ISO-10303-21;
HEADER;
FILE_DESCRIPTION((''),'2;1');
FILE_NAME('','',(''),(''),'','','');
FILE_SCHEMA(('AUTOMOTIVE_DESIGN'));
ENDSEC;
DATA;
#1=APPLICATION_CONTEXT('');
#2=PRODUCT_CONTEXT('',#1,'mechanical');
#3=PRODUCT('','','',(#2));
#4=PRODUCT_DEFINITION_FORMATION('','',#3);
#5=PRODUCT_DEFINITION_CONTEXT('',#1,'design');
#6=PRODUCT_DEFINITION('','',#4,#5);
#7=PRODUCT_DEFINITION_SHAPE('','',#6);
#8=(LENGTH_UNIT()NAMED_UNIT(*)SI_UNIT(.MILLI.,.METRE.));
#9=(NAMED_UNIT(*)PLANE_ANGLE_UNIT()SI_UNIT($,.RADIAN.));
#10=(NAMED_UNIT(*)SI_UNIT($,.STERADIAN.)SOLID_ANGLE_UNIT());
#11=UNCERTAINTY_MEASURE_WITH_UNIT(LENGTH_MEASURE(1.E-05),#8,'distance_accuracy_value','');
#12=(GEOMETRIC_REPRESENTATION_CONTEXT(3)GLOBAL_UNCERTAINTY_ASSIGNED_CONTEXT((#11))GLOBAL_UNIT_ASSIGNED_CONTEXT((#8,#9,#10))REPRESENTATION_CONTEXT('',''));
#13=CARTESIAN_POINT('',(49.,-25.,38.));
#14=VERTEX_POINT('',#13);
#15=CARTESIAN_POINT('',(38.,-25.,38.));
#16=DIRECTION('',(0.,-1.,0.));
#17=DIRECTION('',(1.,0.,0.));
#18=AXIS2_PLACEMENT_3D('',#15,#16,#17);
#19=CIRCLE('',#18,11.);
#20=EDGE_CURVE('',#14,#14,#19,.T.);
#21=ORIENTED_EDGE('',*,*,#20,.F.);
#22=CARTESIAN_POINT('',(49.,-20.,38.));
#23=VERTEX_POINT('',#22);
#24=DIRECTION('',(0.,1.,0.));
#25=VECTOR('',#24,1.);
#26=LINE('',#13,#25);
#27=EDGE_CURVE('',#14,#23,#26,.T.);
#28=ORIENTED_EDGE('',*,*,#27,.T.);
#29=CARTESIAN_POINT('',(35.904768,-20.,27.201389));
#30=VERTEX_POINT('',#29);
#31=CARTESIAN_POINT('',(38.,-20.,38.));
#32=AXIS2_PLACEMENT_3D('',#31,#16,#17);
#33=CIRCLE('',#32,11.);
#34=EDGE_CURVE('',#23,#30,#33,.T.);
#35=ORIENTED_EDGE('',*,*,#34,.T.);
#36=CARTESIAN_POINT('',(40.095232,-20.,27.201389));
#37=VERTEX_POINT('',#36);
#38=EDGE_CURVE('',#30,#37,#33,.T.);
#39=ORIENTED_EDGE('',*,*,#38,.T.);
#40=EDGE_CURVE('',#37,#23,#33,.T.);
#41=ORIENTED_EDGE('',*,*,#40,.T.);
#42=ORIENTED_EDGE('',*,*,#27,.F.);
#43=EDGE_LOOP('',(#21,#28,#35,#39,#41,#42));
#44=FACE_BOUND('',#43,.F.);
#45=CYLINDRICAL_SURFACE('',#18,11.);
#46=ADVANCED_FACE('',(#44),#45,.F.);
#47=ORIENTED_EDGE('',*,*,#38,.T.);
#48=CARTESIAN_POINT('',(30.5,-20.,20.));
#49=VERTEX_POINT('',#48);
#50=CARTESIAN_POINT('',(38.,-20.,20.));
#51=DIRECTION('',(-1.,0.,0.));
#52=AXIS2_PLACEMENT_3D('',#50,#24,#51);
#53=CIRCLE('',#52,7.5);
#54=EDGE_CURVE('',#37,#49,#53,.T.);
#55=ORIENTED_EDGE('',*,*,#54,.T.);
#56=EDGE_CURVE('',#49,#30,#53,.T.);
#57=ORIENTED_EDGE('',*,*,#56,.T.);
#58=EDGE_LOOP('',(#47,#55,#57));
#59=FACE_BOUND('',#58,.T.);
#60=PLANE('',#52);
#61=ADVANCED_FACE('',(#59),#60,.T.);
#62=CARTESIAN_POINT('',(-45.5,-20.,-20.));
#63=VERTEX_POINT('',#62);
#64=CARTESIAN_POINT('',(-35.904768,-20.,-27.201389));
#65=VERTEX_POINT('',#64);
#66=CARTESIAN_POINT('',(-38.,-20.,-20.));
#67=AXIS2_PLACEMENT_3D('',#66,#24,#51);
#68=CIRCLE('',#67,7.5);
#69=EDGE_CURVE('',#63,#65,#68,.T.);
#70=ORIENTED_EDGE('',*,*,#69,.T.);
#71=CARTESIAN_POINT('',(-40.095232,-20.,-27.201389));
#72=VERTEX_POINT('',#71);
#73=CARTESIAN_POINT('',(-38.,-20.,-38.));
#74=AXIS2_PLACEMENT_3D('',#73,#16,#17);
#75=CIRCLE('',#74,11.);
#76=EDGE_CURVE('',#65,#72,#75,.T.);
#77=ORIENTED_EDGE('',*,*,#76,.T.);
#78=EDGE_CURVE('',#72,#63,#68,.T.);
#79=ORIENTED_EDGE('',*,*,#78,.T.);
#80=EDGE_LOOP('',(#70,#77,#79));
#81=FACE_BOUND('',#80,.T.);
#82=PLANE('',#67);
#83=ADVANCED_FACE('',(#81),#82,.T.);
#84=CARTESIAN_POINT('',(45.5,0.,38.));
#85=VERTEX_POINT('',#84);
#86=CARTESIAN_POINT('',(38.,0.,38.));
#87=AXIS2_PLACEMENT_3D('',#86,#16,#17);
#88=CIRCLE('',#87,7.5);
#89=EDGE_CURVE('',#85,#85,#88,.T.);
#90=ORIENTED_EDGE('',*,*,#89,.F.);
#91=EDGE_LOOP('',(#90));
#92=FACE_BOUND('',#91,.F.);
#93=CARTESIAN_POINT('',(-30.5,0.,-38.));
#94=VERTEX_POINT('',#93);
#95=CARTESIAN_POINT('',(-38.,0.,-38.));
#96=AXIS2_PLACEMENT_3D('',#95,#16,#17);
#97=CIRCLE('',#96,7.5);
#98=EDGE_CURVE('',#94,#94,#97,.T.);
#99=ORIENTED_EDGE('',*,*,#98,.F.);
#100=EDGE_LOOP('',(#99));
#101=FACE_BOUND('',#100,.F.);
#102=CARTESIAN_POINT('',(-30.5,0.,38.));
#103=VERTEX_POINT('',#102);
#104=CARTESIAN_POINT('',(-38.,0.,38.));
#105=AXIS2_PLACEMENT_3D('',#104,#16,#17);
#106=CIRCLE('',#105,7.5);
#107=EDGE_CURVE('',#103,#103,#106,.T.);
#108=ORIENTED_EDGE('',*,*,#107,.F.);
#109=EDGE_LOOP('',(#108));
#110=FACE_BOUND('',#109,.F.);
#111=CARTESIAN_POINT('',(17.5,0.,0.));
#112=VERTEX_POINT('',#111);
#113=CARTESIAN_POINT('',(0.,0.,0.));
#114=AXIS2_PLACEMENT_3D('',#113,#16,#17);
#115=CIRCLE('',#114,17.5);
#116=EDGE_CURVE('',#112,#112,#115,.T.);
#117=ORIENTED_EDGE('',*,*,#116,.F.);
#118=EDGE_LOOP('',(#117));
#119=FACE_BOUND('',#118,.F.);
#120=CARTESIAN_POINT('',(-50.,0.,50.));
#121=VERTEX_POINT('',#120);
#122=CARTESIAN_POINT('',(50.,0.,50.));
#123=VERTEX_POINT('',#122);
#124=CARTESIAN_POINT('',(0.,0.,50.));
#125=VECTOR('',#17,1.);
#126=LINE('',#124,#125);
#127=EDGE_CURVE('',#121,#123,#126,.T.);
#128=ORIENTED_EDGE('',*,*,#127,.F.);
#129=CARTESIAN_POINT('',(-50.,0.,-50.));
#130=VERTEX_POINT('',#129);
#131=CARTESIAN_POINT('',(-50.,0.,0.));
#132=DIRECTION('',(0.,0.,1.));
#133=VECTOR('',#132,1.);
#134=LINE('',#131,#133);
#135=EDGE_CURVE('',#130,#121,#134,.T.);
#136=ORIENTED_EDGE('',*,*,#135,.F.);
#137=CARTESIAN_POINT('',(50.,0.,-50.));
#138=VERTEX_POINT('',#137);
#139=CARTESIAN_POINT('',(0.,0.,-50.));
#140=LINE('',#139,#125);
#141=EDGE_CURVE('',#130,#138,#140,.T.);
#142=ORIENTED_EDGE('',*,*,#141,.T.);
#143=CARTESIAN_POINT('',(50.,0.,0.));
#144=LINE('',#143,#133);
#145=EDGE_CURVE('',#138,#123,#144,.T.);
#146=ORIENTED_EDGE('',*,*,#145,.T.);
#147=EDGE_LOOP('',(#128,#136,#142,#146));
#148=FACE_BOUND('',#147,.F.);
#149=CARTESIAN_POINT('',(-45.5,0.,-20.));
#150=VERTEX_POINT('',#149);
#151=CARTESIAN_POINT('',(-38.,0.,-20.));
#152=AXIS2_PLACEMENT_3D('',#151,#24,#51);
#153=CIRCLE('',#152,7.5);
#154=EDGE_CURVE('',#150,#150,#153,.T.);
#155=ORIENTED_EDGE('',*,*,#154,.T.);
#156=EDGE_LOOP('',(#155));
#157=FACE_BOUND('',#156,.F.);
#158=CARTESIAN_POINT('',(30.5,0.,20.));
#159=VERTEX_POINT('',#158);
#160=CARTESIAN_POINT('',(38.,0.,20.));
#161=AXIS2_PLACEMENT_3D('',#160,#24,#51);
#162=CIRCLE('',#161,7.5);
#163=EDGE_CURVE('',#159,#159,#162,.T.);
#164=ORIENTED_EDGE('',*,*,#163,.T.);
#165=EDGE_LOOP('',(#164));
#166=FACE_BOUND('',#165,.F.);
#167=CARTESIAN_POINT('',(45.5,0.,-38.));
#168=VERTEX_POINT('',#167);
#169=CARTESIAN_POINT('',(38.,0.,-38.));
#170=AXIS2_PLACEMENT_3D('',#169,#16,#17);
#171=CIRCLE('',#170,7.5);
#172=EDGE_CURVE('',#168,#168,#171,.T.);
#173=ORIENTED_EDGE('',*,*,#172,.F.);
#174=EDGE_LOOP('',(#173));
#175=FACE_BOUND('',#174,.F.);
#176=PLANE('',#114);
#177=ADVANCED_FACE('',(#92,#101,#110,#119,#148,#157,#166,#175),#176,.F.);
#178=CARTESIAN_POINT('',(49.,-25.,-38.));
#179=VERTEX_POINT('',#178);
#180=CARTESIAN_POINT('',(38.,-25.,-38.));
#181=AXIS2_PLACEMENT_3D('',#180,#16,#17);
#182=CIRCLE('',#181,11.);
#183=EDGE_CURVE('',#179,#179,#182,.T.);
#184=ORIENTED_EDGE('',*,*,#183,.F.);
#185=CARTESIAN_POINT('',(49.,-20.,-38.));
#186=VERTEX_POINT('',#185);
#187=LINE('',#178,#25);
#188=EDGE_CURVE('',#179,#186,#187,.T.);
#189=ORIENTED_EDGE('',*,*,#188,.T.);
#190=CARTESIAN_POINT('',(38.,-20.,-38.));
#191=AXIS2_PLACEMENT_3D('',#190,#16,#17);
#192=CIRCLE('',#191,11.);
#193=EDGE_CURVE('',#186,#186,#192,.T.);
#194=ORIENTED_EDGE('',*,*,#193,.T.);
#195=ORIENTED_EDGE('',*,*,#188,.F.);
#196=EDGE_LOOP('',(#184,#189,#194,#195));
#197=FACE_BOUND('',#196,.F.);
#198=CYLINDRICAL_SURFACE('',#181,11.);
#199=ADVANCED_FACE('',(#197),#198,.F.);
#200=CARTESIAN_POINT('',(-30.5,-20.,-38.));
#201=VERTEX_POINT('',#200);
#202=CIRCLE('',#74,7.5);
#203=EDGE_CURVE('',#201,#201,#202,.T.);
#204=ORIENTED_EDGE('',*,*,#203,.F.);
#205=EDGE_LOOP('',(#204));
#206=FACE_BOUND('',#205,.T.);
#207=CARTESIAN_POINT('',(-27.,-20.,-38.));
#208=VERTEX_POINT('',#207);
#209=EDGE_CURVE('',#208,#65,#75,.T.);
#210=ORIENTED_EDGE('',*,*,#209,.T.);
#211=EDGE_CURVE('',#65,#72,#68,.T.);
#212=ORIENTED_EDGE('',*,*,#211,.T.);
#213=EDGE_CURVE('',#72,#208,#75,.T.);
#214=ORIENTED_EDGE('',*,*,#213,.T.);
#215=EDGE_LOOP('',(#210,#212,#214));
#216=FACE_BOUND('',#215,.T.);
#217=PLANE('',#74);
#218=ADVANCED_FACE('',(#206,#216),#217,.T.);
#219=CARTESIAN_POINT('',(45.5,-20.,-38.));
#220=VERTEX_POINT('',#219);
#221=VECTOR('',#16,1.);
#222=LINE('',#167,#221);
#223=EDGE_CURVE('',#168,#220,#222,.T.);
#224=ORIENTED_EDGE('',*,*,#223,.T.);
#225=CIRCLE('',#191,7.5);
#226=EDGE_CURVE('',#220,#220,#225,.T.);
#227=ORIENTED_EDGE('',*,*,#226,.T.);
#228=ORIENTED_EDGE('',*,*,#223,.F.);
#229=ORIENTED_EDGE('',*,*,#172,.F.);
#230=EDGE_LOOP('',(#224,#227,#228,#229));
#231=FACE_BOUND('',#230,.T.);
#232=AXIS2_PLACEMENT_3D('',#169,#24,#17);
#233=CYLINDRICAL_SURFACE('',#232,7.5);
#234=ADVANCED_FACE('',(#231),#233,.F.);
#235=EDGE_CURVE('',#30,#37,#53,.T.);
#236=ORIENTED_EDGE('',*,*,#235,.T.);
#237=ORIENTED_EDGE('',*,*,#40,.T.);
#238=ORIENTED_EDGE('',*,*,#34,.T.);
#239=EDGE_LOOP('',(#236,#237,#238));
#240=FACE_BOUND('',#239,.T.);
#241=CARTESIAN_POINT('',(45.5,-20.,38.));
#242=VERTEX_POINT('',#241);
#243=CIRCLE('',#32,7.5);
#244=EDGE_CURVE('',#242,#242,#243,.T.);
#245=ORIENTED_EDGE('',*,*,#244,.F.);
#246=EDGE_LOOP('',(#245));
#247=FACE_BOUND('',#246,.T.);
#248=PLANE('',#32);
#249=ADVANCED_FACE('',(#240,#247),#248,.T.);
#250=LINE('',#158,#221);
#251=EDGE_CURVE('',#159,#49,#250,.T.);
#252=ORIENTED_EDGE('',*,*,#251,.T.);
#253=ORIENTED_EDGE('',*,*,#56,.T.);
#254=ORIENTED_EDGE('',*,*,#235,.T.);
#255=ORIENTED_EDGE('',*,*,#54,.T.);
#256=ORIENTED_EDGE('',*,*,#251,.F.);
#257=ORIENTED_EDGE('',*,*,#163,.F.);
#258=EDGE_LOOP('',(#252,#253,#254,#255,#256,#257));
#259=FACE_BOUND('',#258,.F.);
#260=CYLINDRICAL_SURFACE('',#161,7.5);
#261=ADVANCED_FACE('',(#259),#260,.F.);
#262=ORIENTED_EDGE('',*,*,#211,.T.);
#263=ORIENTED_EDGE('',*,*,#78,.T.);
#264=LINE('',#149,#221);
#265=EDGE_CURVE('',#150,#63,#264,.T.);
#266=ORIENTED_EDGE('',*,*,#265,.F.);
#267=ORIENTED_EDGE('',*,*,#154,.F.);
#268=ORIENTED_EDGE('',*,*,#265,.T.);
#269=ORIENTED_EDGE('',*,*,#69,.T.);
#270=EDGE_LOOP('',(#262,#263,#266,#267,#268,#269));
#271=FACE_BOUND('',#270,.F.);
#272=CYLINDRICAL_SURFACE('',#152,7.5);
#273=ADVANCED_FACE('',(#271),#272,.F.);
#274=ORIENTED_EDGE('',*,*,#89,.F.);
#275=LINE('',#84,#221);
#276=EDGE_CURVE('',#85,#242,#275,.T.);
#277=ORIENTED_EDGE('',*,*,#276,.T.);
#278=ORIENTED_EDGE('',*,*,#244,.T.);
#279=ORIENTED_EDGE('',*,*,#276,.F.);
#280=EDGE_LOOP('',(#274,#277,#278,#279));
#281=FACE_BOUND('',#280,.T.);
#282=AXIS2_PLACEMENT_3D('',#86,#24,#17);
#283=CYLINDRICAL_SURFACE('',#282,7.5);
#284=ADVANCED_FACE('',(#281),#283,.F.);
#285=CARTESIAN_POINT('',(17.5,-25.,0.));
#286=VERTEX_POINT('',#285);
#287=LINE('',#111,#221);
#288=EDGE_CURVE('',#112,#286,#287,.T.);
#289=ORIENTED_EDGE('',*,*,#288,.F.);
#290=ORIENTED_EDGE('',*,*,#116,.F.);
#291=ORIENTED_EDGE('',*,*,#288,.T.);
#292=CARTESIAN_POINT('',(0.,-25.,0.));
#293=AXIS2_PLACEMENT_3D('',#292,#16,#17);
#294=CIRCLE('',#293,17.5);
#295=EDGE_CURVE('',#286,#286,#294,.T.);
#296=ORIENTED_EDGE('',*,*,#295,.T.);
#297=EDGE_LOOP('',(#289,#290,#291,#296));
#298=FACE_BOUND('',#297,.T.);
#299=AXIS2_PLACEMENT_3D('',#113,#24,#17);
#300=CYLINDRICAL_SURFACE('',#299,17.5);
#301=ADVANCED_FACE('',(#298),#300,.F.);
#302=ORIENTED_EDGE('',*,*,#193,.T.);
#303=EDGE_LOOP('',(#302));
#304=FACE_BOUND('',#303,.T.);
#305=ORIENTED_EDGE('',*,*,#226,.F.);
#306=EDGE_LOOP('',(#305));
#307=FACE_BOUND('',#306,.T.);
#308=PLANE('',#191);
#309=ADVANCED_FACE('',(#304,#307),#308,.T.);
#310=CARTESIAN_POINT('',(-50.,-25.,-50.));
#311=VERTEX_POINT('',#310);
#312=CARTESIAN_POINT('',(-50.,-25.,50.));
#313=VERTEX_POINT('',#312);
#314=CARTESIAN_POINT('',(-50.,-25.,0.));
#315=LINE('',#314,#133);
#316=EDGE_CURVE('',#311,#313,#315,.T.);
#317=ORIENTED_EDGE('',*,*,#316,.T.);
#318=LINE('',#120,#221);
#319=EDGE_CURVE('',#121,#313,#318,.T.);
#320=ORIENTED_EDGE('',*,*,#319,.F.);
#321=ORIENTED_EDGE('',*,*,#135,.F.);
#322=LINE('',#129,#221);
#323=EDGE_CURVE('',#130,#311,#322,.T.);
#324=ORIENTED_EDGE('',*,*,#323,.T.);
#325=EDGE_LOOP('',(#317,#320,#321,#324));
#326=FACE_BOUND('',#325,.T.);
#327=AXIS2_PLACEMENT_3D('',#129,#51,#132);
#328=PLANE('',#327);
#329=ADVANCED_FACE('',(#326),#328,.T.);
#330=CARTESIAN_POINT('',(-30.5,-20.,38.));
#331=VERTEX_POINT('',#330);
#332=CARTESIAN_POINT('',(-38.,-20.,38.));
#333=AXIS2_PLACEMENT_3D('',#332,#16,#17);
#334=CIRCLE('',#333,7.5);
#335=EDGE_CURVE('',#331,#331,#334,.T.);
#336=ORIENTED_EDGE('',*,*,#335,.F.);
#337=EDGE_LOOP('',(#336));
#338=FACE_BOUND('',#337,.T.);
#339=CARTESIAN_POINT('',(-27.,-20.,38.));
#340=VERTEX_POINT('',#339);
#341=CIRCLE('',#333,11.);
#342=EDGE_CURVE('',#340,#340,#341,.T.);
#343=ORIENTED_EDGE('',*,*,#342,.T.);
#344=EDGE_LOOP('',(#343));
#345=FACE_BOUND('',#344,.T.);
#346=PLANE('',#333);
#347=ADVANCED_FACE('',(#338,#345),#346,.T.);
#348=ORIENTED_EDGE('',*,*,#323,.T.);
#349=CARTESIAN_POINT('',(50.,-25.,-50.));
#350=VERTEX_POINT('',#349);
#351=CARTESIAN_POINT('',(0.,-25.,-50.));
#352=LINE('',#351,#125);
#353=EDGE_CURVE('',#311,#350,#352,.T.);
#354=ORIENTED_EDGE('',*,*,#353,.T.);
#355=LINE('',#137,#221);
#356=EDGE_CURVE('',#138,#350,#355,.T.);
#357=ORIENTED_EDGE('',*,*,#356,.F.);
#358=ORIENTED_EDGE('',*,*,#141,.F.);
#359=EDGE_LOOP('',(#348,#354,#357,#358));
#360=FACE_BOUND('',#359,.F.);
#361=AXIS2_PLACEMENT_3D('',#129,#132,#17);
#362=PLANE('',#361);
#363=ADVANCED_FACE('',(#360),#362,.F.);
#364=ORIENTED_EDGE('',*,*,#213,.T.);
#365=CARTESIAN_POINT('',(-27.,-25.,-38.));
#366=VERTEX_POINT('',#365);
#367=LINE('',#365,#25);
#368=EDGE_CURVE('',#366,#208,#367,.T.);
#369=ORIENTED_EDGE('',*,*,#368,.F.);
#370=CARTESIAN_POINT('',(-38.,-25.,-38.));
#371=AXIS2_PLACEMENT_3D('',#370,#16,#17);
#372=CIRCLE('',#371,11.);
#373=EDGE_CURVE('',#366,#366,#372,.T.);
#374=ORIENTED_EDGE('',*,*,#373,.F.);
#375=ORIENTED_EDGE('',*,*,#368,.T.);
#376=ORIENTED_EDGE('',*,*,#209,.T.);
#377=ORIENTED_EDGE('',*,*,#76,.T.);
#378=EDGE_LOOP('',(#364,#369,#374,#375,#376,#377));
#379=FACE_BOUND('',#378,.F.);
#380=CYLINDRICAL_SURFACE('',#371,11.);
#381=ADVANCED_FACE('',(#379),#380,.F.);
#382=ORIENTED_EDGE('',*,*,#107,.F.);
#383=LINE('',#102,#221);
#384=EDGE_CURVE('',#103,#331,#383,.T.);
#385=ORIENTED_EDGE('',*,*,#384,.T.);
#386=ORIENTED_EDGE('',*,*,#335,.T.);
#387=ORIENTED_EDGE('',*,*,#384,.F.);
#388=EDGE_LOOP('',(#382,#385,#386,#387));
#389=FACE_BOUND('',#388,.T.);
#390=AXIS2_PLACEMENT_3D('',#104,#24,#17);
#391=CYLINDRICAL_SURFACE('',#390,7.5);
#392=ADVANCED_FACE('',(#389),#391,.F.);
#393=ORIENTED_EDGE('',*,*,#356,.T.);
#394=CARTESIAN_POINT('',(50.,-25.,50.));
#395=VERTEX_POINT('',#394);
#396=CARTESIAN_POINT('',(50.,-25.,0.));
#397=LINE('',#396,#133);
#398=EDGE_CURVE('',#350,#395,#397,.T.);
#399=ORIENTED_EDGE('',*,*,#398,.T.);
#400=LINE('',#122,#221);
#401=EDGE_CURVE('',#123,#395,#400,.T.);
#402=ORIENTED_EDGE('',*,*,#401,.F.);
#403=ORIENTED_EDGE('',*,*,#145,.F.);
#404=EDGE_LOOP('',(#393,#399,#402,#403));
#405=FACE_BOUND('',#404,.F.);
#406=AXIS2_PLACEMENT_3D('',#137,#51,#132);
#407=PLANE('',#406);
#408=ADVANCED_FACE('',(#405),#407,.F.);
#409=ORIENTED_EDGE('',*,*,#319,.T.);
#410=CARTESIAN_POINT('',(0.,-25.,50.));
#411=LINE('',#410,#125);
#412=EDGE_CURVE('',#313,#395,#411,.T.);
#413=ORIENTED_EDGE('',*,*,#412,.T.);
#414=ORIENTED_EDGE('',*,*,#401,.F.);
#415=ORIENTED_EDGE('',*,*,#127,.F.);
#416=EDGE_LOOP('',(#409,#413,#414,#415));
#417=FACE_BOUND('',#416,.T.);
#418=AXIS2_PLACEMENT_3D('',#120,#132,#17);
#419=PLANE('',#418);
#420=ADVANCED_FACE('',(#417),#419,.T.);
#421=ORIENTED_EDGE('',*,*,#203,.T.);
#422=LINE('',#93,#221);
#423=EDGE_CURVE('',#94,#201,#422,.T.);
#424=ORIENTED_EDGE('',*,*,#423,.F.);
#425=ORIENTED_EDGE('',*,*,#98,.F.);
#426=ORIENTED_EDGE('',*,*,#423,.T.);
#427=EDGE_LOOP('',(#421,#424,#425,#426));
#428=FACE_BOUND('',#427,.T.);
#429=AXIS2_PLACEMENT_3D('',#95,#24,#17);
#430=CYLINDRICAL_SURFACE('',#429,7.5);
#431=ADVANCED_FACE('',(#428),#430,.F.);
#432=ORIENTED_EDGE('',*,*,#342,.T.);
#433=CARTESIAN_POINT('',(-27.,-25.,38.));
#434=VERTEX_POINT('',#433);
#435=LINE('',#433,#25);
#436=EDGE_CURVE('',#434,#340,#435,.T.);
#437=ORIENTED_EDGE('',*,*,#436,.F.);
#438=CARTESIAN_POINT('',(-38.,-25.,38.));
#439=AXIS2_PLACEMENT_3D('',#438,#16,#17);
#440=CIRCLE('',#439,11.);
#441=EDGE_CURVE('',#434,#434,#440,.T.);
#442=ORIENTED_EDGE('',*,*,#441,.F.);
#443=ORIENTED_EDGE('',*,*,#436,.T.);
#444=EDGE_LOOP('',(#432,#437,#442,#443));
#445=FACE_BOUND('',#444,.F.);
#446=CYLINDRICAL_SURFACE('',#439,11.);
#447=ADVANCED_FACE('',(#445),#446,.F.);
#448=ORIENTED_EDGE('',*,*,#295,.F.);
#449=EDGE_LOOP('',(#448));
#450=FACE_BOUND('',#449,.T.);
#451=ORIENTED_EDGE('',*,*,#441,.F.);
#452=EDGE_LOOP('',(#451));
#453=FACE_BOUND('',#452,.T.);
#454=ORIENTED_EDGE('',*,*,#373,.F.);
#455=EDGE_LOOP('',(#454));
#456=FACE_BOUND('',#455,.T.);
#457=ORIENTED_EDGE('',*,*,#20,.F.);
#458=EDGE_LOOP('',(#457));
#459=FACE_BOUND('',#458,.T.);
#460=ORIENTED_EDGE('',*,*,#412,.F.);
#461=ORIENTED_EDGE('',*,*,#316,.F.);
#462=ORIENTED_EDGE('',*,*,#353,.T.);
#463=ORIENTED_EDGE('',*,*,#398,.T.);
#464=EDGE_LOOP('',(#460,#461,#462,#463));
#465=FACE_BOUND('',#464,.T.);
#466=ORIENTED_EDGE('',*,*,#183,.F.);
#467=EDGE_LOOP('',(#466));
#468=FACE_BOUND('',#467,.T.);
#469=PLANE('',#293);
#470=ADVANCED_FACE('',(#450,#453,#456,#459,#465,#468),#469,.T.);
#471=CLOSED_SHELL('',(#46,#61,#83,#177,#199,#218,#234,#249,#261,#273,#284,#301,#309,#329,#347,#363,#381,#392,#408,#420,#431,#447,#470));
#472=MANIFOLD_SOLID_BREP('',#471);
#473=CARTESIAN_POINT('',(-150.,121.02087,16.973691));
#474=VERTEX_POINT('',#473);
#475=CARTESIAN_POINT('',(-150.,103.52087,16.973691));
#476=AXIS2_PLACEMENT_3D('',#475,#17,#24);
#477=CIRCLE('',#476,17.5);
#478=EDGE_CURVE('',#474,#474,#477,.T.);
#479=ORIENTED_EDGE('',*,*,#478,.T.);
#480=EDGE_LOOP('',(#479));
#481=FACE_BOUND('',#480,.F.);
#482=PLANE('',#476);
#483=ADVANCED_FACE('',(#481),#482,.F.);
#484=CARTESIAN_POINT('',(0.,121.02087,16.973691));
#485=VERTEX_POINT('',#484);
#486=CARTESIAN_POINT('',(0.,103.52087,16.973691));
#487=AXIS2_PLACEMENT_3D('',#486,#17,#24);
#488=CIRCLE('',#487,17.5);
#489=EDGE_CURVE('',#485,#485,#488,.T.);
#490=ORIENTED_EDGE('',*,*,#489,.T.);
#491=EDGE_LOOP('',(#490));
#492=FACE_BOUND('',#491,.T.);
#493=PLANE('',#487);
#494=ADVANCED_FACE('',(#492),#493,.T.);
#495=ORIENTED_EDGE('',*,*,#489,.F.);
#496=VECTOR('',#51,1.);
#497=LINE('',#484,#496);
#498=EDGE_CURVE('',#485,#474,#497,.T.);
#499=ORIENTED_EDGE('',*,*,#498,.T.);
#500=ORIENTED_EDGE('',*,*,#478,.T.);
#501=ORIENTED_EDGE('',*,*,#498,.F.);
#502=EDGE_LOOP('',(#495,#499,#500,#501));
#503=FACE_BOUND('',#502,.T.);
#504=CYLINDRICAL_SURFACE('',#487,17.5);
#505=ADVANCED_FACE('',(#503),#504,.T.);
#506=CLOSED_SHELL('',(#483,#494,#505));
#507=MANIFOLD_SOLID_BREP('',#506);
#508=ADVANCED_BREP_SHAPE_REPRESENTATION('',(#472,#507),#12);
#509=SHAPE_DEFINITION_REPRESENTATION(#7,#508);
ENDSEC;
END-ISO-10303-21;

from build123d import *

# Parameters (mm, degrees)
F0_W     = 100
F0_H     = 100
F0_R     = 7.5
F0_R_2   = 17.5
F1_DEPTH = 25
F2_R     = 17.5
F3_DEPTH = 150
F4_R     = 11
F4_R_2   = 7.5
F5_DEPTH = 5
F6_R     = 7.5
F7_DEPTH = 20


with BuildPart() as f1:
    # F0 (on Front) → F1 (new body)
    with BuildSketch(Plane.XZ):
        Rectangle(F0_W, F0_H)
        with Locations((-38, -38)):
            Circle(F0_R, mode=Mode.SUBTRACT)
        with Locations((38, -38)):
            Circle(F0_R, mode=Mode.SUBTRACT)
        with Locations((-38, 38)):
            Circle(F0_R, mode=Mode.SUBTRACT)
        Circle(F0_R_2, mode=Mode.SUBTRACT)
        with Locations((38, 38)):
            Circle(F0_R, mode=Mode.SUBTRACT)
    extrude(amount=F1_DEPTH)

    # F4 (on face) → F5 (cut)
    with BuildSketch(Plane.XZ.offset(25)):
        with Locations((38, 38)):
            Circle(F4_R)
        with Locations((38, 38)):
            Circle(F4_R_2, mode=Mode.SUBTRACT)
        with Locations((-38, 38)):
            Circle(F4_R)
        with Locations((-38, 38)):
            Circle(F4_R_2, mode=Mode.SUBTRACT)
        with Locations((-38, -38)):
            Circle(F4_R)
        with Locations((-38, -38)):
            Circle(F4_R_2, mode=Mode.SUBTRACT)
        with Locations((38, -38)):
            Circle(F4_R)
        with Locations((38, -38)):
            Circle(F4_R_2, mode=Mode.SUBTRACT)
    extrude(amount=-F5_DEPTH, mode=Mode.SUBTRACT)

    # F6 (on face) → F7 (cut)
    with BuildSketch(Plane(origin=(0, 0, 0), x_dir=(-1, 0, 0), z_dir=(0, 1, 0))):
        with Locations((-38, 20)):
            Circle(F6_R)
        with Locations((38, -20)):
            Circle(F6_R)
    extrude(amount=-F7_DEPTH, mode=Mode.SUBTRACT)


with BuildPart() as f3:
    # F2 (on Right) → F3 (new body)
    with BuildSketch(Plane.YZ):
        with Locations((103.52087, 16.973691)):
            Circle(F2_R)
    extrude(amount=-F3_DEPTH)


solid = Compound([f1.part, f3.part])
